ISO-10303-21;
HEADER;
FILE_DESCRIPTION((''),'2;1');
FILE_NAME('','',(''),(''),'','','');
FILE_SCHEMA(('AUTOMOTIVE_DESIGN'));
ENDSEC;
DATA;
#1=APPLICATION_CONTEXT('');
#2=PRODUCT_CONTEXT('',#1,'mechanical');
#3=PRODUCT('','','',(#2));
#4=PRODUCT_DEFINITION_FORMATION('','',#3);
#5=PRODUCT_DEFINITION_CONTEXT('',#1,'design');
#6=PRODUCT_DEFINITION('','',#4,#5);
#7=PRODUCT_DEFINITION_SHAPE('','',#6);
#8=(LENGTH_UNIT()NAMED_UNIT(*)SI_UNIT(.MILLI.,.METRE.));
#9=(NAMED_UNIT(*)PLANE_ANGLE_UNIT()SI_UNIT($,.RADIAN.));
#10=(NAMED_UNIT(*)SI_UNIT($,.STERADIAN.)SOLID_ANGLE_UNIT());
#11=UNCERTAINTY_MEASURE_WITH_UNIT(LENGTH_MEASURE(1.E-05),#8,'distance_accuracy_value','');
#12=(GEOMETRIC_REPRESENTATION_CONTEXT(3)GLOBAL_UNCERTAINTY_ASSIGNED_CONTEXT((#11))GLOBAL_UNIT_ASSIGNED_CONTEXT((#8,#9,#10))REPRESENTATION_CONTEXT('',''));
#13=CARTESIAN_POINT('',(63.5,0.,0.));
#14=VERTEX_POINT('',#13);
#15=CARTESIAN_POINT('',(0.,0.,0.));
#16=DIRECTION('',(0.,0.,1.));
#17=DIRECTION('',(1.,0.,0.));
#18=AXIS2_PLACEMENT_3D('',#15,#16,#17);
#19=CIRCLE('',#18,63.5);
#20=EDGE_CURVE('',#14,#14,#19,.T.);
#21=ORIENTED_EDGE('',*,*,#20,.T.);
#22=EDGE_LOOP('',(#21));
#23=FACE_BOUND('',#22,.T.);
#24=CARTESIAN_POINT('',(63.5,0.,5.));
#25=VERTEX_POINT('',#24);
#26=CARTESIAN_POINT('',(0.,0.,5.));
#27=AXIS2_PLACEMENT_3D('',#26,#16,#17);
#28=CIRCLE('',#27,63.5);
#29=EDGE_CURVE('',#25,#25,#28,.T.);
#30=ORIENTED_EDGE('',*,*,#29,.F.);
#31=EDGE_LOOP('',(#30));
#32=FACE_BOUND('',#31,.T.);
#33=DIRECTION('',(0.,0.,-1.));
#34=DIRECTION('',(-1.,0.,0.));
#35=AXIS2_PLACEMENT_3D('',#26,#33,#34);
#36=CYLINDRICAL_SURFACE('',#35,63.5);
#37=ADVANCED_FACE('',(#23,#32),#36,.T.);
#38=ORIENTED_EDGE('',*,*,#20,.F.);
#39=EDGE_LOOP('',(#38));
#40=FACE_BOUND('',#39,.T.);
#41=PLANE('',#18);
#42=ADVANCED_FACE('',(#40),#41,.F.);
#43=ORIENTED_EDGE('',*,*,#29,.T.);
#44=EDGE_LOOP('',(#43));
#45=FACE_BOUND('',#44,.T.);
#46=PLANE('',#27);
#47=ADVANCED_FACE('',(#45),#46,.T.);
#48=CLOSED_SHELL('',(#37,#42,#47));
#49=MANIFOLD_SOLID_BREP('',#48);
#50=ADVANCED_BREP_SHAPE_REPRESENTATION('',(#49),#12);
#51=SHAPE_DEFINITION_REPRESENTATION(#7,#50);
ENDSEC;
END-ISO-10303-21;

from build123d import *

# Parameters (mm, degrees)
SCHIZZO1_R                   = 63.5
ESTRUSIONE_ESTRUSIONE1_DEPTH = 5


with BuildPart() as part:
    # Schizzo1 → Estrusione-Estrusione1 (new body)
    with BuildSketch(Plane.XY):
        Circle(SCHIZZO1_R)
    extrude(amount=ESTRUSIONE_ESTRUSIONE1_DEPTH)


solid = part.part
